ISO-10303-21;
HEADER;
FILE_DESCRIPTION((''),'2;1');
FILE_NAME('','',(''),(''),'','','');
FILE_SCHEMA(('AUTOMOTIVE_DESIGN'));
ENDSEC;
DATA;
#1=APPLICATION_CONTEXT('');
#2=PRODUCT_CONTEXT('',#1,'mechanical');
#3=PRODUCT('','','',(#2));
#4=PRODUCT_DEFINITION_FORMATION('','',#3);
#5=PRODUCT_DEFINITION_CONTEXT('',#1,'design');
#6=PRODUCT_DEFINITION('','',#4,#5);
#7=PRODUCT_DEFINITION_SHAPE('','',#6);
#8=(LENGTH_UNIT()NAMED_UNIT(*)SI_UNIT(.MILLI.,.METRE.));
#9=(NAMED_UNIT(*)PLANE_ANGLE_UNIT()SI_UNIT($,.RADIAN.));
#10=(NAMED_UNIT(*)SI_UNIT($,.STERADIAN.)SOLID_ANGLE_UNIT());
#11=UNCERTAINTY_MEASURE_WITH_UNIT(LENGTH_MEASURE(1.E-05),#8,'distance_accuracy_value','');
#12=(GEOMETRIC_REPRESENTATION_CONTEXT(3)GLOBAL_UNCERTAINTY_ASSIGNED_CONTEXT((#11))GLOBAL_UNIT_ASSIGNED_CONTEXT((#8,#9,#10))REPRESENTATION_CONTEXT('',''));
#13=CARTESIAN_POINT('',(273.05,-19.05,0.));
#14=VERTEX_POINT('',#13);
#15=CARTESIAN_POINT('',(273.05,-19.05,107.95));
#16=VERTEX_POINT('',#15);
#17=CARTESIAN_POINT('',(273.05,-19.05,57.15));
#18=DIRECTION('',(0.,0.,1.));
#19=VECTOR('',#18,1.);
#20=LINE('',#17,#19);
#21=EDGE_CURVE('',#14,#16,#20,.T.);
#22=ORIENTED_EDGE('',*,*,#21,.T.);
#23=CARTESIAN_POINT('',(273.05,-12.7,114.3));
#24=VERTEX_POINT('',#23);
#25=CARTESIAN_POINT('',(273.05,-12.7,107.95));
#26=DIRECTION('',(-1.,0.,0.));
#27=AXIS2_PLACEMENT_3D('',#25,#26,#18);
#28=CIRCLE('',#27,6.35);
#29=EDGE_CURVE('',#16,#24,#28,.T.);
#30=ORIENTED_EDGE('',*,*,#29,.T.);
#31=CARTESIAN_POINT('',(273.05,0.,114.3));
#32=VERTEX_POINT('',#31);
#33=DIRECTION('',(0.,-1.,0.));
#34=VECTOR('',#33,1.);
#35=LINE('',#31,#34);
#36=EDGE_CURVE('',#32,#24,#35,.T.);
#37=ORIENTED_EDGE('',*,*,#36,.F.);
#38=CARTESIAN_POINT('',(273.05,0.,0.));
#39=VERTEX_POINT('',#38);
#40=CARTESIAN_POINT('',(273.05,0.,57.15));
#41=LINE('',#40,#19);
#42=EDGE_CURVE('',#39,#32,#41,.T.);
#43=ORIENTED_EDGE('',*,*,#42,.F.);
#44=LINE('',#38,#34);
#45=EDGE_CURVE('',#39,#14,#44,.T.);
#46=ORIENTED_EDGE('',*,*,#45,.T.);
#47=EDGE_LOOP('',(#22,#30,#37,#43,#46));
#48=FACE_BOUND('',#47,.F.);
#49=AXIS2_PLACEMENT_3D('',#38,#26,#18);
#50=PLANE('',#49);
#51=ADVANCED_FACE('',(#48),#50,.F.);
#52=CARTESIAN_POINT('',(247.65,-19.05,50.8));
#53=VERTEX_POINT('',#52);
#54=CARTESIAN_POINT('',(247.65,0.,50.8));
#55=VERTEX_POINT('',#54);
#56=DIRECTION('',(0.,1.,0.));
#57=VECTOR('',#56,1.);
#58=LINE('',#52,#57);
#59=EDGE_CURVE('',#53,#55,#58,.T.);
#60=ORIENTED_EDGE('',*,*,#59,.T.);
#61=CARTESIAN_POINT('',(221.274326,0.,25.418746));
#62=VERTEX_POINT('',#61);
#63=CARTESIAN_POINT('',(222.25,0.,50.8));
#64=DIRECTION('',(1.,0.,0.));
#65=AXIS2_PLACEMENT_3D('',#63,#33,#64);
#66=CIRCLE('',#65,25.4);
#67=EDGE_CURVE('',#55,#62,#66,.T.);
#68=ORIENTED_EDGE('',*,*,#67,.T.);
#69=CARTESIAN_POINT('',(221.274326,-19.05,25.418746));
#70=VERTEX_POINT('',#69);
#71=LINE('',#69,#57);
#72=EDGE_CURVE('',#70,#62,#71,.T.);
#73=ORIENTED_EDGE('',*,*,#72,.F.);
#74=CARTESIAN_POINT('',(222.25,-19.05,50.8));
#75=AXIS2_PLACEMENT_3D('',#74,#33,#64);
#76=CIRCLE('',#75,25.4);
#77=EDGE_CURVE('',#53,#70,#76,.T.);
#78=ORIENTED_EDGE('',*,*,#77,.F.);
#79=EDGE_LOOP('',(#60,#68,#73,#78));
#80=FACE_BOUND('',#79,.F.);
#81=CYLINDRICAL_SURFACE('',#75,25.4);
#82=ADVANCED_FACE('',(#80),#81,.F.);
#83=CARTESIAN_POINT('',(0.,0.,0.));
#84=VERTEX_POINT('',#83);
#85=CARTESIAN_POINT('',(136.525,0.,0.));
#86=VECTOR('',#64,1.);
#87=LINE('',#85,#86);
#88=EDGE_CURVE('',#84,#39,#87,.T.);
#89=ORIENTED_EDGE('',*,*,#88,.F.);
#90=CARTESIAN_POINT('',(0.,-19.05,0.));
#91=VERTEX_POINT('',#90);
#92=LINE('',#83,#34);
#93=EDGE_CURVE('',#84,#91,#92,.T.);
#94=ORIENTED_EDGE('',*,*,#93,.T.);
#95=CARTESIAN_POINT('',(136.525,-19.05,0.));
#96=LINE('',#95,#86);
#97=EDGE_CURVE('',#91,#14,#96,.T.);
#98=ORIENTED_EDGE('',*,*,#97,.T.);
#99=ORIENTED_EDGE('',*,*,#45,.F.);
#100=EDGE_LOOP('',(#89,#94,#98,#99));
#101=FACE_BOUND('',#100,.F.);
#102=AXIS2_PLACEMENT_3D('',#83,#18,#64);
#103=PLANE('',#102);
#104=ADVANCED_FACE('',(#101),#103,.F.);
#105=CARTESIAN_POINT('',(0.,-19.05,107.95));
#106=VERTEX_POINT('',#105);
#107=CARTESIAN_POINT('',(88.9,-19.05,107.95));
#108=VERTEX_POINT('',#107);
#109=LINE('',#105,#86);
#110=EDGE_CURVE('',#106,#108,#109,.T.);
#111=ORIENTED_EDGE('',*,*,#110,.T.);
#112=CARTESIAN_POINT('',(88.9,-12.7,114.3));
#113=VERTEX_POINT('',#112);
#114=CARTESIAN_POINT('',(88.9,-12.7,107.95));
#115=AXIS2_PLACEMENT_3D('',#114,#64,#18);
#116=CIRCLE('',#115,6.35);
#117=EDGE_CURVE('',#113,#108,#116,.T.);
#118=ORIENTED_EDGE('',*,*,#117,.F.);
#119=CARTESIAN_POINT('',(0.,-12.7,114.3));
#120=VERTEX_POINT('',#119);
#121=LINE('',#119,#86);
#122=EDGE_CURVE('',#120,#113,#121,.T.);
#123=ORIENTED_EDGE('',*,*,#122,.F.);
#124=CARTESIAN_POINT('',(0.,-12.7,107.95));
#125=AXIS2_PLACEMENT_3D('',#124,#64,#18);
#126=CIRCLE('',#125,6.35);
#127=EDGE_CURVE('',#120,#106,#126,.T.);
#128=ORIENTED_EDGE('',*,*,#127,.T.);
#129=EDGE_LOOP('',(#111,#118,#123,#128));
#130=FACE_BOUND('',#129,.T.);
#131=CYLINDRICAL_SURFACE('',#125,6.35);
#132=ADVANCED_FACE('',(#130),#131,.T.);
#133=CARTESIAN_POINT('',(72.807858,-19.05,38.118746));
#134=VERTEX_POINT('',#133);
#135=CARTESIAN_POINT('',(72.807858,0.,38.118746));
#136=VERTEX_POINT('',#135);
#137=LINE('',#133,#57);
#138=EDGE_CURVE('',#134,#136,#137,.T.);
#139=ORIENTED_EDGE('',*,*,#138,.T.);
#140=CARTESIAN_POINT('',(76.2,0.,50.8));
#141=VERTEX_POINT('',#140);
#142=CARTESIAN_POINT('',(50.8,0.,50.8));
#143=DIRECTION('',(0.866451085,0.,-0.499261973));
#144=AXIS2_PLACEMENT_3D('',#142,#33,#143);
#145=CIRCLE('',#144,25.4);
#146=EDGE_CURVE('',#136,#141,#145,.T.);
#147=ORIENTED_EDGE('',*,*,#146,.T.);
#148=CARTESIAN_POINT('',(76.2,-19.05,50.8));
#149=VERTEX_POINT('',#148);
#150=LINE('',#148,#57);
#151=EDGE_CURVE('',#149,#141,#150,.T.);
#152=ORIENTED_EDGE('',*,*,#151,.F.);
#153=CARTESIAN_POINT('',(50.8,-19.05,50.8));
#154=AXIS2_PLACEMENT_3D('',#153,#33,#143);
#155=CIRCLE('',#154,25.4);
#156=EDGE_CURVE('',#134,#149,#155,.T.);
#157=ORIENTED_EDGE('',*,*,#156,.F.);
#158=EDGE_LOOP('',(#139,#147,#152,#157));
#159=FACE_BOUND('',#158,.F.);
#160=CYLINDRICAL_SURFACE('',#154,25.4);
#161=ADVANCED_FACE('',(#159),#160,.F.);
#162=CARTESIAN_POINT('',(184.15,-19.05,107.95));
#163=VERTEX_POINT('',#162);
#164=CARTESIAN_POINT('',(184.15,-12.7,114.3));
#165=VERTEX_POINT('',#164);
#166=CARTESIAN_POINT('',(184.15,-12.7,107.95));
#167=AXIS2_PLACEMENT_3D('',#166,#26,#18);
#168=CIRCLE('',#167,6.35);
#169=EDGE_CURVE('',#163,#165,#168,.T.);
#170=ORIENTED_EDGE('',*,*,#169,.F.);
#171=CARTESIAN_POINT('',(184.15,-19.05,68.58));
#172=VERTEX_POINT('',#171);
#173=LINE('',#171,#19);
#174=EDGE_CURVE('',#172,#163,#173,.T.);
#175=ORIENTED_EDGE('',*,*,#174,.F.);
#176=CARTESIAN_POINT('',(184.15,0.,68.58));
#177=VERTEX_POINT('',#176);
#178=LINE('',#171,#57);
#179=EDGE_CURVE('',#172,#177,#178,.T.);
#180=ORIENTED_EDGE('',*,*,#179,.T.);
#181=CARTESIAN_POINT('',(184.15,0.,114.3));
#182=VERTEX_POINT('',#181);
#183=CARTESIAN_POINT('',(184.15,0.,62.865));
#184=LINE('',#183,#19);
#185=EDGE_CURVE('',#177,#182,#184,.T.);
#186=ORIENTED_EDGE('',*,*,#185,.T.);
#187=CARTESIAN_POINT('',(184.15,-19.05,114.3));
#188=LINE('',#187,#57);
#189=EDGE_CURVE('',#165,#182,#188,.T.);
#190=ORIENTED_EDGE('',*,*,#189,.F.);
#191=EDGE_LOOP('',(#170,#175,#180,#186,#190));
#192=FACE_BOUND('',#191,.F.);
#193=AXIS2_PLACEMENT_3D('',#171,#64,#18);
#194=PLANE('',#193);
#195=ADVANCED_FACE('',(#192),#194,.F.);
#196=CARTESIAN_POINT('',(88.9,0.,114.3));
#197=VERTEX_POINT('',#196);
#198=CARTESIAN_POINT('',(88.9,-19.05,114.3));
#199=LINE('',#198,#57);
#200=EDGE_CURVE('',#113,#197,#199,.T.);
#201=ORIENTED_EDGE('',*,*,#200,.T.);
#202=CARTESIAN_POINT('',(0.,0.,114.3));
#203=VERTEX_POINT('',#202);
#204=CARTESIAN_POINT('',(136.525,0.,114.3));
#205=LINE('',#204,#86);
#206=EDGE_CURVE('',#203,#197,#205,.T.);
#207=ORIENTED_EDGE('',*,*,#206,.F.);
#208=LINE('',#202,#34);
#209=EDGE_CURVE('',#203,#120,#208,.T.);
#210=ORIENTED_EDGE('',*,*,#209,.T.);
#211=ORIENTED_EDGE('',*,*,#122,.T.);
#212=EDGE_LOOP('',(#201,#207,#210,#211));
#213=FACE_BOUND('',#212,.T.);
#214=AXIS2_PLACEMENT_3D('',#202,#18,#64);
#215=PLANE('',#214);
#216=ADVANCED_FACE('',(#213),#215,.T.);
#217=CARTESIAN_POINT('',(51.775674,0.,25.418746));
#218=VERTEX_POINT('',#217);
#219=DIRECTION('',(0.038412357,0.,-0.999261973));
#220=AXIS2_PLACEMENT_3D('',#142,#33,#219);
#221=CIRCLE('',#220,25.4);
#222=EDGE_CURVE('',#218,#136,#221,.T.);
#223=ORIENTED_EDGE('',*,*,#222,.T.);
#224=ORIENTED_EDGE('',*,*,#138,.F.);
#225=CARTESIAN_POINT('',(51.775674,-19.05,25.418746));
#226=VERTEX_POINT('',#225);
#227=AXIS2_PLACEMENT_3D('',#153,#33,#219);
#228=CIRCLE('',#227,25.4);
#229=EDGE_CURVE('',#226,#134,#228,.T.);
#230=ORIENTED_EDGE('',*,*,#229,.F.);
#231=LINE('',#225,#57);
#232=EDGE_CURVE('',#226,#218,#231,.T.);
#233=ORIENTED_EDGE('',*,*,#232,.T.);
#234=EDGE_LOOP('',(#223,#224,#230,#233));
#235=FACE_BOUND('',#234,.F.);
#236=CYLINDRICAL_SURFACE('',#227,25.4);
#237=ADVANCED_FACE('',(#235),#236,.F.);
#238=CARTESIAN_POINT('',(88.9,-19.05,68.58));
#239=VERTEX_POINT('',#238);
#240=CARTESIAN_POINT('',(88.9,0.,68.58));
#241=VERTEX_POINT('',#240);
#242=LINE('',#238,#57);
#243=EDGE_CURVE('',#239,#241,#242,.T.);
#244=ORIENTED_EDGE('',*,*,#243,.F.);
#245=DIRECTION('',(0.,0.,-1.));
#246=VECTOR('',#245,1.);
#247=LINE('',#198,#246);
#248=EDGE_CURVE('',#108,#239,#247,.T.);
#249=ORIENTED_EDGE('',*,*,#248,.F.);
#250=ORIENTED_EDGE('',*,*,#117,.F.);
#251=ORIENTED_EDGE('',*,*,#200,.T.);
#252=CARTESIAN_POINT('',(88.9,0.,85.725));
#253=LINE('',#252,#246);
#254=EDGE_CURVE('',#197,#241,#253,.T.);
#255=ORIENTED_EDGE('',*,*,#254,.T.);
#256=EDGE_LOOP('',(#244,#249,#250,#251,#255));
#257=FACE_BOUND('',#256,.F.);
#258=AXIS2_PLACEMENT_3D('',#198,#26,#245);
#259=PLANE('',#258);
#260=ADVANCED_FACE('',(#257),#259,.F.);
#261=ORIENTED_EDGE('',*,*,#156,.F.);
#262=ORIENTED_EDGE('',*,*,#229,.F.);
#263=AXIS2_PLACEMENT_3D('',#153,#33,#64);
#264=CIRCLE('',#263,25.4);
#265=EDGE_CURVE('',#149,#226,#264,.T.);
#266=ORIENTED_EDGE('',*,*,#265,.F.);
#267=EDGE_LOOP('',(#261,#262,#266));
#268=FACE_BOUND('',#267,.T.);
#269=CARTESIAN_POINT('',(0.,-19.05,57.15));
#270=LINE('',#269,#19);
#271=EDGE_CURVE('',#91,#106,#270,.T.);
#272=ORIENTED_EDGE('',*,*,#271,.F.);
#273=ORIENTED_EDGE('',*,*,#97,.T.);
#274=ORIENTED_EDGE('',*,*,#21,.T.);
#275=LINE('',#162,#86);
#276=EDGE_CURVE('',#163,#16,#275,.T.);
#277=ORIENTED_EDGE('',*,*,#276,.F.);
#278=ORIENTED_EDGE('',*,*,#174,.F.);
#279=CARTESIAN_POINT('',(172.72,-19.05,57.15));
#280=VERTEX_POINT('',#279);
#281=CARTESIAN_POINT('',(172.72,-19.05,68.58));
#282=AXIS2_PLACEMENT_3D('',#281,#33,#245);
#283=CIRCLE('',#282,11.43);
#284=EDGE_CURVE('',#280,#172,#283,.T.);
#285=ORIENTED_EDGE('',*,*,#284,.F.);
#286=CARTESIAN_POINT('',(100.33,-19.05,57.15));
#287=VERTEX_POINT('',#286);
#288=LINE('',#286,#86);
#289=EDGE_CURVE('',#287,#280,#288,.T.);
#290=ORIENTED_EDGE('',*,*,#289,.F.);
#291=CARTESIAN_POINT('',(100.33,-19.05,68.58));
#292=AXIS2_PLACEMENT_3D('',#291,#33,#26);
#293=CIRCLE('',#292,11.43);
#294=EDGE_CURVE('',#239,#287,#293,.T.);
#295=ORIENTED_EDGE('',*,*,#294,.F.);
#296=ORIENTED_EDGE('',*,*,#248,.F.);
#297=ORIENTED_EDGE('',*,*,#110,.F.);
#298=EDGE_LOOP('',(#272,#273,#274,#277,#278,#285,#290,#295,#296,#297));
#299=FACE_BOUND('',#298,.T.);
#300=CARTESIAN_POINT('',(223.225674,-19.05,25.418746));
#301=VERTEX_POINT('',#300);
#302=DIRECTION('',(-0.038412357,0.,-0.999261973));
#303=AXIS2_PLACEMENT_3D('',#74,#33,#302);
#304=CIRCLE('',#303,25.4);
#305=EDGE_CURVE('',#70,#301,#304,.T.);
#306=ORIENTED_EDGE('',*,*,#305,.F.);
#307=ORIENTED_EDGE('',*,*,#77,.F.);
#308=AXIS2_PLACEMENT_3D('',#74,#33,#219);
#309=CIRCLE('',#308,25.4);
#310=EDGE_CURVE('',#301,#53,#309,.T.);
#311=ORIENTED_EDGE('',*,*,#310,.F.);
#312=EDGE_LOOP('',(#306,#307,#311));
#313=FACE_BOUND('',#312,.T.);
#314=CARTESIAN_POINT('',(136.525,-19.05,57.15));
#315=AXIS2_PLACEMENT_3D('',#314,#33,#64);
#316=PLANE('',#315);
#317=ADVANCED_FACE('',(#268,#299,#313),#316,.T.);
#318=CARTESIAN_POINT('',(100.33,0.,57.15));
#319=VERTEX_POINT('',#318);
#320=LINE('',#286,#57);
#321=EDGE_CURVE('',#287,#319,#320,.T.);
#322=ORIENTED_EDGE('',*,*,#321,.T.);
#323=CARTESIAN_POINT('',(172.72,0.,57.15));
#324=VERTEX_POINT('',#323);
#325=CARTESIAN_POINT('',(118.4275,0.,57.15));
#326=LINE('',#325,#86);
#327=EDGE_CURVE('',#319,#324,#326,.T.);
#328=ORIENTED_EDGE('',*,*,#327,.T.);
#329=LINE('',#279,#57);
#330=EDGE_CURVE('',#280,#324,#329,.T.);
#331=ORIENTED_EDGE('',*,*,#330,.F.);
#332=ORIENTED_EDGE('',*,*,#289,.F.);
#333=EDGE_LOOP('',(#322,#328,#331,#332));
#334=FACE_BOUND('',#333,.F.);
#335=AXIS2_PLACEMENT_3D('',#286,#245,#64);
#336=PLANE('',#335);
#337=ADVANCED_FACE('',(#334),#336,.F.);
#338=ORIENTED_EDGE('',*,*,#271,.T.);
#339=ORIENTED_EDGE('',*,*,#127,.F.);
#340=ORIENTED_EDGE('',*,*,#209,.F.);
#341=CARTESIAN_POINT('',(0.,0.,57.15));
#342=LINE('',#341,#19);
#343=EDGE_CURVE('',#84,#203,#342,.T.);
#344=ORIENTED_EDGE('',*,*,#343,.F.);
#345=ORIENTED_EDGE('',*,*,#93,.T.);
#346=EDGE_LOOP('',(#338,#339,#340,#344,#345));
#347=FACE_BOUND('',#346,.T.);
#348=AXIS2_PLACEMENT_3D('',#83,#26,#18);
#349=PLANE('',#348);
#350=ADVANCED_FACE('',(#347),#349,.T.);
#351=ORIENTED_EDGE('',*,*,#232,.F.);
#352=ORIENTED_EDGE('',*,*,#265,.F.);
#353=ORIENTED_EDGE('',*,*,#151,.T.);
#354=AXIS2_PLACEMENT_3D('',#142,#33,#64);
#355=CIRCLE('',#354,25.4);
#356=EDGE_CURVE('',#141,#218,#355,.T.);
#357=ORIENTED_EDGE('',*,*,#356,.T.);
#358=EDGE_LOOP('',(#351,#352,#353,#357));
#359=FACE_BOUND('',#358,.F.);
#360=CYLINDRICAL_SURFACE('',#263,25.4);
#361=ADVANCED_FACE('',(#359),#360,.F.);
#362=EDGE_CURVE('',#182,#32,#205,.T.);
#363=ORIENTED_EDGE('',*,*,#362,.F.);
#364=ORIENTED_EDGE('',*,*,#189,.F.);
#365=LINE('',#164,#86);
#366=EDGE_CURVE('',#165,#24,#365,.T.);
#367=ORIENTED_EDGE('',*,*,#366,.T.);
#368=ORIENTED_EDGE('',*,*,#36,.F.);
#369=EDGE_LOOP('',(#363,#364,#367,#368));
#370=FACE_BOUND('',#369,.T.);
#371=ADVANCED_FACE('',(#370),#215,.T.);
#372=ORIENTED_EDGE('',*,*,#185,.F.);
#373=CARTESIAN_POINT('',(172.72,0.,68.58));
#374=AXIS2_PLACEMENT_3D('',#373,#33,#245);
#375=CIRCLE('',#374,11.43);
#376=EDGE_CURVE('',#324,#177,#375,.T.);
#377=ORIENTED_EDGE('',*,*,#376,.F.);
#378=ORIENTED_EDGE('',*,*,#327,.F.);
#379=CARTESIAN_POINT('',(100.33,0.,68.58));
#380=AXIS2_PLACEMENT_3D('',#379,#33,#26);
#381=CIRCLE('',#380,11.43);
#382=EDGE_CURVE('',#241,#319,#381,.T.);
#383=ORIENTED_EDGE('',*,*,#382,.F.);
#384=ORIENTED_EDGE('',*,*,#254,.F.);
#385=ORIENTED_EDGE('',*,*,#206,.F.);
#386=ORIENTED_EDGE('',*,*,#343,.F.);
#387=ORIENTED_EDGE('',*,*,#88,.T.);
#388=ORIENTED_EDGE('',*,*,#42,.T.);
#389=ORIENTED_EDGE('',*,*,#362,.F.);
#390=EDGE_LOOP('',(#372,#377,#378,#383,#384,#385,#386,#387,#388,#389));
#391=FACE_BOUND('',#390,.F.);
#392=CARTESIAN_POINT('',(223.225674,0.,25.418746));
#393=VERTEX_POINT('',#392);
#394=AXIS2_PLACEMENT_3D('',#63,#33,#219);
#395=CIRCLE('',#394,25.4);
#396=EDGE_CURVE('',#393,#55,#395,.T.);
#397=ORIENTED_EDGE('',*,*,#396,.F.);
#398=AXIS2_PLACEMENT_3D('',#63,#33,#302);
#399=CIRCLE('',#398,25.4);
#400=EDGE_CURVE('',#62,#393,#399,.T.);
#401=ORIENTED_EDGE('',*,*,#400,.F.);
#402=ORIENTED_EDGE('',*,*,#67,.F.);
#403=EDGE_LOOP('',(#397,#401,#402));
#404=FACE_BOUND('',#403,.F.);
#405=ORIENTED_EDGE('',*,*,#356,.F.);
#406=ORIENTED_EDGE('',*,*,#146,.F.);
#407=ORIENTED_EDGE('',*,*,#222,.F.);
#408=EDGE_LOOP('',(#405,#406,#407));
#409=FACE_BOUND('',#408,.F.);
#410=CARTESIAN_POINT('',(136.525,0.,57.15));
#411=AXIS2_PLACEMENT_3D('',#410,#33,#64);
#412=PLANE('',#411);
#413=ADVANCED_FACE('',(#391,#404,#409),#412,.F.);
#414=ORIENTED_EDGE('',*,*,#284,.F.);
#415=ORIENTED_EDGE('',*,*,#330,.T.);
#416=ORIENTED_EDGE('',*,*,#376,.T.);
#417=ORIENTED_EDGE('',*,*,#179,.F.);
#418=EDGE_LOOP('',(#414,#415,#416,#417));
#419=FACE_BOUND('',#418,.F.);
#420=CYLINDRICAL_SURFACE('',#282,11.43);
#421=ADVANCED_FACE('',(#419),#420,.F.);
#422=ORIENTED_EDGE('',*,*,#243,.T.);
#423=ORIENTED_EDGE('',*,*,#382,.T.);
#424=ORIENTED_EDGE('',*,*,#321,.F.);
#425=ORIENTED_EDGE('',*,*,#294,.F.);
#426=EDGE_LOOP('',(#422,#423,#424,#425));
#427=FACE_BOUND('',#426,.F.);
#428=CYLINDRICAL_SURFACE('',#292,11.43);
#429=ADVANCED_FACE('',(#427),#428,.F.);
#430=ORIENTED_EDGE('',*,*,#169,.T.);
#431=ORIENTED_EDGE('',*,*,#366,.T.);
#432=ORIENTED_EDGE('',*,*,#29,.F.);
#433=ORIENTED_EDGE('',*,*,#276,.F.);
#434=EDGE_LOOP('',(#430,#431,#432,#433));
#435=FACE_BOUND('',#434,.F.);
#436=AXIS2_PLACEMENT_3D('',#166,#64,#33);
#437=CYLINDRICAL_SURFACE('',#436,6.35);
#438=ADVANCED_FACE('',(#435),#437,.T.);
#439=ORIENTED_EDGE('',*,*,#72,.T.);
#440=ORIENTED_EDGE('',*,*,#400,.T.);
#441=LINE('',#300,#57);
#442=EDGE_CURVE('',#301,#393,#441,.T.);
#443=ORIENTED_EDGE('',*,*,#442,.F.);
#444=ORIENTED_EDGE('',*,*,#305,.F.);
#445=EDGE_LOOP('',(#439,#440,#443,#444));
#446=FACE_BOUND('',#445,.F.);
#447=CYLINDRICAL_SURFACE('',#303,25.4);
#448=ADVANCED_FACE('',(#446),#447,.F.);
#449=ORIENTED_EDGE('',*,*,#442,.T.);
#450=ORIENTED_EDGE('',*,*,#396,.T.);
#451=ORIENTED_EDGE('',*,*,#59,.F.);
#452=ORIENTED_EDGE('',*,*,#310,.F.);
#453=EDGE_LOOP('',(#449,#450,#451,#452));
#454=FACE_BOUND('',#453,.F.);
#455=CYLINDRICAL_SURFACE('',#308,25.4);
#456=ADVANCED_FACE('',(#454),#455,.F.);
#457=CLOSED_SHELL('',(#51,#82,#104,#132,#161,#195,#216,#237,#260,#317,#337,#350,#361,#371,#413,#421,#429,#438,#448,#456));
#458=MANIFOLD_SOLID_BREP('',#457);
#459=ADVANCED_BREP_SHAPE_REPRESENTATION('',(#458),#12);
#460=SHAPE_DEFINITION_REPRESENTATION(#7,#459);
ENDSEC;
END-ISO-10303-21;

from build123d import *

# Parameters (mm, degrees)
F0_W     = 273.05
F0_H     = 114.3
F1_DEPTH = 19.05
F3_DEPTH = 25.4
F4_DEPTH = 25.4
F5_R     = 6.35
F6_R     = 6.35


with BuildPart() as f1:
    # F0 (on Front) → F1 (new body)
    with BuildSketch(Plane.XZ):
        with Locations((136.525, 57.15)):
            Rectangle(F0_W, F0_H)
    extrude(amount=F1_DEPTH)

    # F2 (on face) → F3 (cut)
    with BuildSketch(Plane.XZ.offset(19.05)):
        with BuildLine():
            ThreePointArc((72.8078575524, 38.1187458841), (75.3373142564, 44.2364484398), (76.2, 50.8))
            ThreePointArc((76.2, 50.8), (32.4977854296, 68.4121816315), (51.7756738724, 25.4187458841))
            Line((51.7756738724, 25.4187458841), (64.3298327923, 38.1187458841))
            Line((64.3298327923, 38.1187458841), (72.8078575524, 38.1187458841))
        make_face()
        with BuildLine():
            ThreePointArc((200.2421424476, 38.1187458841), (209.1205225089, 29.0565683295), (221.2743261276, 25.4187458841))
            Line((221.2743261276, 25.4187458841), (223.2256738724, 25.4187458841))
            Line((223.2256738724, 25.4187458841), (207.7043950558, 38.1187458841))
            Line((207.7043950558, 38.1187458841), (200.2421424476, 38.1187458841))
        make_face()
        with BuildLine():
            Line((223.2256738724, 25.4187458841), (221.2743261276, 25.4187458841))
            ThreePointArc((221.2743261276, 25.4187458841), (222.25, 25.4), (223.2256738724, 25.4187458841))
        make_face()
        with BuildLine():
            Line((64.3298327923, 38.1187458841), (51.7756738724, 25.4187458841))
            ThreePointArc((51.7756738724, 25.4187458841), (63.9294774911, 29.0565683295), (72.8078575524, 38.1187458841))
            Line((72.8078575524, 38.1187458841), (64.3298327923, 38.1187458841))
        make_face()
        with BuildLine():
            ThreePointArc((247.65, 50.8), (215.6864484398, 75.3373142564), (200.2421424476, 38.1187458841))
            Line((200.2421424476, 38.1187458841), (207.7043950558, 38.1187458841))
            Line((207.7043950558, 38.1187458841), (223.2256738724, 25.4187458841))
            ThreePointArc((223.2256738724, 25.4187458841), (240.5522145704, 33.1878183685), (247.65, 50.8))
        make_face()
        with BuildLine():
            Line((100.33, 57.15), (151.0539650917, 57.15))
            Line((151.0539650917, 57.15), (172.72, 57.15))
            ThreePointArc((172.72, 57.15), (180.802230509, 60.497769491), (184.15, 68.58))
            Line((184.15, 68.58), (184.15, 114.3))
            Line((184.15, 114.3), (88.9, 114.3))
            Line((88.9, 114.3), (88.9, 68.58))
            ThreePointArc((88.9, 68.58), (92.247769491, 60.497769491), (100.33, 57.15))
        make_face()
    extrude(amount=-F3_DEPTH, mode=Mode.SUBTRACT)

    # F2 (on face) → F4 (cut)
    with BuildSketch(Plane.XZ.offset(19.05)):
        with BuildLine():
            ThreePointArc((72.8078575524, 38.1187458841), (75.3373142564, 44.2364484398), (76.2, 50.8))
            ThreePointArc((76.2, 50.8), (32.4977854296, 68.4121816315), (51.7756738724, 25.4187458841))
            Line((51.7756738724, 25.4187458841), (64.3298327923, 38.1187458841))
            Line((64.3298327923, 38.1187458841), (72.8078575524, 38.1187458841))
        make_face()
        with BuildLine():
            ThreePointArc((200.2421424476, 38.1187458841), (209.1205225089, 29.0565683295), (221.2743261276, 25.4187458841))
            Line((221.2743261276, 25.4187458841), (223.2256738724, 25.4187458841))
            Line((223.2256738724, 25.4187458841), (207.7043950558, 38.1187458841))
            Line((207.7043950558, 38.1187458841), (200.2421424476, 38.1187458841))
        make_face()
        with BuildLine():
            Line((223.2256738724, 25.4187458841), (221.2743261276, 25.4187458841))
            ThreePointArc((221.2743261276, 25.4187458841), (222.25, 25.4), (223.2256738724, 25.4187458841))
        make_face()
        with BuildLine():
            Line((64.3298327923, 38.1187458841), (51.7756738724, 25.4187458841))
            ThreePointArc((51.7756738724, 25.4187458841), (63.9294774911, 29.0565683295), (72.8078575524, 38.1187458841))
            Line((72.8078575524, 38.1187458841), (64.3298327923, 38.1187458841))
        make_face()
        with BuildLine():
            ThreePointArc((247.65, 50.8), (215.6864484398, 75.3373142564), (200.2421424476, 38.1187458841))
            Line((200.2421424476, 38.1187458841), (207.7043950558, 38.1187458841))
            Line((207.7043950558, 38.1187458841), (223.2256738724, 25.4187458841))
            ThreePointArc((223.2256738724, 25.4187458841), (240.5522145704, 33.1878183685), (247.65, 50.8))
        make_face()
    extrude(amount=-F4_DEPTH, mode=Mode.SUBTRACT)

    # F5
    f5_edges = [f1.edges().sort_by_distance(p)[0] for p in [
        (44.45, -19.05, 114.3),
    ]]
    fillet(f5_edges, radius=F5_R)

    # F6
    f6_edges = [f1.edges().sort_by_distance(p)[0] for p in [
        (228.6, -19.05, 114.3),
    ]]
    fillet(f6_edges, radius=F6_R)


solid = f1.part
